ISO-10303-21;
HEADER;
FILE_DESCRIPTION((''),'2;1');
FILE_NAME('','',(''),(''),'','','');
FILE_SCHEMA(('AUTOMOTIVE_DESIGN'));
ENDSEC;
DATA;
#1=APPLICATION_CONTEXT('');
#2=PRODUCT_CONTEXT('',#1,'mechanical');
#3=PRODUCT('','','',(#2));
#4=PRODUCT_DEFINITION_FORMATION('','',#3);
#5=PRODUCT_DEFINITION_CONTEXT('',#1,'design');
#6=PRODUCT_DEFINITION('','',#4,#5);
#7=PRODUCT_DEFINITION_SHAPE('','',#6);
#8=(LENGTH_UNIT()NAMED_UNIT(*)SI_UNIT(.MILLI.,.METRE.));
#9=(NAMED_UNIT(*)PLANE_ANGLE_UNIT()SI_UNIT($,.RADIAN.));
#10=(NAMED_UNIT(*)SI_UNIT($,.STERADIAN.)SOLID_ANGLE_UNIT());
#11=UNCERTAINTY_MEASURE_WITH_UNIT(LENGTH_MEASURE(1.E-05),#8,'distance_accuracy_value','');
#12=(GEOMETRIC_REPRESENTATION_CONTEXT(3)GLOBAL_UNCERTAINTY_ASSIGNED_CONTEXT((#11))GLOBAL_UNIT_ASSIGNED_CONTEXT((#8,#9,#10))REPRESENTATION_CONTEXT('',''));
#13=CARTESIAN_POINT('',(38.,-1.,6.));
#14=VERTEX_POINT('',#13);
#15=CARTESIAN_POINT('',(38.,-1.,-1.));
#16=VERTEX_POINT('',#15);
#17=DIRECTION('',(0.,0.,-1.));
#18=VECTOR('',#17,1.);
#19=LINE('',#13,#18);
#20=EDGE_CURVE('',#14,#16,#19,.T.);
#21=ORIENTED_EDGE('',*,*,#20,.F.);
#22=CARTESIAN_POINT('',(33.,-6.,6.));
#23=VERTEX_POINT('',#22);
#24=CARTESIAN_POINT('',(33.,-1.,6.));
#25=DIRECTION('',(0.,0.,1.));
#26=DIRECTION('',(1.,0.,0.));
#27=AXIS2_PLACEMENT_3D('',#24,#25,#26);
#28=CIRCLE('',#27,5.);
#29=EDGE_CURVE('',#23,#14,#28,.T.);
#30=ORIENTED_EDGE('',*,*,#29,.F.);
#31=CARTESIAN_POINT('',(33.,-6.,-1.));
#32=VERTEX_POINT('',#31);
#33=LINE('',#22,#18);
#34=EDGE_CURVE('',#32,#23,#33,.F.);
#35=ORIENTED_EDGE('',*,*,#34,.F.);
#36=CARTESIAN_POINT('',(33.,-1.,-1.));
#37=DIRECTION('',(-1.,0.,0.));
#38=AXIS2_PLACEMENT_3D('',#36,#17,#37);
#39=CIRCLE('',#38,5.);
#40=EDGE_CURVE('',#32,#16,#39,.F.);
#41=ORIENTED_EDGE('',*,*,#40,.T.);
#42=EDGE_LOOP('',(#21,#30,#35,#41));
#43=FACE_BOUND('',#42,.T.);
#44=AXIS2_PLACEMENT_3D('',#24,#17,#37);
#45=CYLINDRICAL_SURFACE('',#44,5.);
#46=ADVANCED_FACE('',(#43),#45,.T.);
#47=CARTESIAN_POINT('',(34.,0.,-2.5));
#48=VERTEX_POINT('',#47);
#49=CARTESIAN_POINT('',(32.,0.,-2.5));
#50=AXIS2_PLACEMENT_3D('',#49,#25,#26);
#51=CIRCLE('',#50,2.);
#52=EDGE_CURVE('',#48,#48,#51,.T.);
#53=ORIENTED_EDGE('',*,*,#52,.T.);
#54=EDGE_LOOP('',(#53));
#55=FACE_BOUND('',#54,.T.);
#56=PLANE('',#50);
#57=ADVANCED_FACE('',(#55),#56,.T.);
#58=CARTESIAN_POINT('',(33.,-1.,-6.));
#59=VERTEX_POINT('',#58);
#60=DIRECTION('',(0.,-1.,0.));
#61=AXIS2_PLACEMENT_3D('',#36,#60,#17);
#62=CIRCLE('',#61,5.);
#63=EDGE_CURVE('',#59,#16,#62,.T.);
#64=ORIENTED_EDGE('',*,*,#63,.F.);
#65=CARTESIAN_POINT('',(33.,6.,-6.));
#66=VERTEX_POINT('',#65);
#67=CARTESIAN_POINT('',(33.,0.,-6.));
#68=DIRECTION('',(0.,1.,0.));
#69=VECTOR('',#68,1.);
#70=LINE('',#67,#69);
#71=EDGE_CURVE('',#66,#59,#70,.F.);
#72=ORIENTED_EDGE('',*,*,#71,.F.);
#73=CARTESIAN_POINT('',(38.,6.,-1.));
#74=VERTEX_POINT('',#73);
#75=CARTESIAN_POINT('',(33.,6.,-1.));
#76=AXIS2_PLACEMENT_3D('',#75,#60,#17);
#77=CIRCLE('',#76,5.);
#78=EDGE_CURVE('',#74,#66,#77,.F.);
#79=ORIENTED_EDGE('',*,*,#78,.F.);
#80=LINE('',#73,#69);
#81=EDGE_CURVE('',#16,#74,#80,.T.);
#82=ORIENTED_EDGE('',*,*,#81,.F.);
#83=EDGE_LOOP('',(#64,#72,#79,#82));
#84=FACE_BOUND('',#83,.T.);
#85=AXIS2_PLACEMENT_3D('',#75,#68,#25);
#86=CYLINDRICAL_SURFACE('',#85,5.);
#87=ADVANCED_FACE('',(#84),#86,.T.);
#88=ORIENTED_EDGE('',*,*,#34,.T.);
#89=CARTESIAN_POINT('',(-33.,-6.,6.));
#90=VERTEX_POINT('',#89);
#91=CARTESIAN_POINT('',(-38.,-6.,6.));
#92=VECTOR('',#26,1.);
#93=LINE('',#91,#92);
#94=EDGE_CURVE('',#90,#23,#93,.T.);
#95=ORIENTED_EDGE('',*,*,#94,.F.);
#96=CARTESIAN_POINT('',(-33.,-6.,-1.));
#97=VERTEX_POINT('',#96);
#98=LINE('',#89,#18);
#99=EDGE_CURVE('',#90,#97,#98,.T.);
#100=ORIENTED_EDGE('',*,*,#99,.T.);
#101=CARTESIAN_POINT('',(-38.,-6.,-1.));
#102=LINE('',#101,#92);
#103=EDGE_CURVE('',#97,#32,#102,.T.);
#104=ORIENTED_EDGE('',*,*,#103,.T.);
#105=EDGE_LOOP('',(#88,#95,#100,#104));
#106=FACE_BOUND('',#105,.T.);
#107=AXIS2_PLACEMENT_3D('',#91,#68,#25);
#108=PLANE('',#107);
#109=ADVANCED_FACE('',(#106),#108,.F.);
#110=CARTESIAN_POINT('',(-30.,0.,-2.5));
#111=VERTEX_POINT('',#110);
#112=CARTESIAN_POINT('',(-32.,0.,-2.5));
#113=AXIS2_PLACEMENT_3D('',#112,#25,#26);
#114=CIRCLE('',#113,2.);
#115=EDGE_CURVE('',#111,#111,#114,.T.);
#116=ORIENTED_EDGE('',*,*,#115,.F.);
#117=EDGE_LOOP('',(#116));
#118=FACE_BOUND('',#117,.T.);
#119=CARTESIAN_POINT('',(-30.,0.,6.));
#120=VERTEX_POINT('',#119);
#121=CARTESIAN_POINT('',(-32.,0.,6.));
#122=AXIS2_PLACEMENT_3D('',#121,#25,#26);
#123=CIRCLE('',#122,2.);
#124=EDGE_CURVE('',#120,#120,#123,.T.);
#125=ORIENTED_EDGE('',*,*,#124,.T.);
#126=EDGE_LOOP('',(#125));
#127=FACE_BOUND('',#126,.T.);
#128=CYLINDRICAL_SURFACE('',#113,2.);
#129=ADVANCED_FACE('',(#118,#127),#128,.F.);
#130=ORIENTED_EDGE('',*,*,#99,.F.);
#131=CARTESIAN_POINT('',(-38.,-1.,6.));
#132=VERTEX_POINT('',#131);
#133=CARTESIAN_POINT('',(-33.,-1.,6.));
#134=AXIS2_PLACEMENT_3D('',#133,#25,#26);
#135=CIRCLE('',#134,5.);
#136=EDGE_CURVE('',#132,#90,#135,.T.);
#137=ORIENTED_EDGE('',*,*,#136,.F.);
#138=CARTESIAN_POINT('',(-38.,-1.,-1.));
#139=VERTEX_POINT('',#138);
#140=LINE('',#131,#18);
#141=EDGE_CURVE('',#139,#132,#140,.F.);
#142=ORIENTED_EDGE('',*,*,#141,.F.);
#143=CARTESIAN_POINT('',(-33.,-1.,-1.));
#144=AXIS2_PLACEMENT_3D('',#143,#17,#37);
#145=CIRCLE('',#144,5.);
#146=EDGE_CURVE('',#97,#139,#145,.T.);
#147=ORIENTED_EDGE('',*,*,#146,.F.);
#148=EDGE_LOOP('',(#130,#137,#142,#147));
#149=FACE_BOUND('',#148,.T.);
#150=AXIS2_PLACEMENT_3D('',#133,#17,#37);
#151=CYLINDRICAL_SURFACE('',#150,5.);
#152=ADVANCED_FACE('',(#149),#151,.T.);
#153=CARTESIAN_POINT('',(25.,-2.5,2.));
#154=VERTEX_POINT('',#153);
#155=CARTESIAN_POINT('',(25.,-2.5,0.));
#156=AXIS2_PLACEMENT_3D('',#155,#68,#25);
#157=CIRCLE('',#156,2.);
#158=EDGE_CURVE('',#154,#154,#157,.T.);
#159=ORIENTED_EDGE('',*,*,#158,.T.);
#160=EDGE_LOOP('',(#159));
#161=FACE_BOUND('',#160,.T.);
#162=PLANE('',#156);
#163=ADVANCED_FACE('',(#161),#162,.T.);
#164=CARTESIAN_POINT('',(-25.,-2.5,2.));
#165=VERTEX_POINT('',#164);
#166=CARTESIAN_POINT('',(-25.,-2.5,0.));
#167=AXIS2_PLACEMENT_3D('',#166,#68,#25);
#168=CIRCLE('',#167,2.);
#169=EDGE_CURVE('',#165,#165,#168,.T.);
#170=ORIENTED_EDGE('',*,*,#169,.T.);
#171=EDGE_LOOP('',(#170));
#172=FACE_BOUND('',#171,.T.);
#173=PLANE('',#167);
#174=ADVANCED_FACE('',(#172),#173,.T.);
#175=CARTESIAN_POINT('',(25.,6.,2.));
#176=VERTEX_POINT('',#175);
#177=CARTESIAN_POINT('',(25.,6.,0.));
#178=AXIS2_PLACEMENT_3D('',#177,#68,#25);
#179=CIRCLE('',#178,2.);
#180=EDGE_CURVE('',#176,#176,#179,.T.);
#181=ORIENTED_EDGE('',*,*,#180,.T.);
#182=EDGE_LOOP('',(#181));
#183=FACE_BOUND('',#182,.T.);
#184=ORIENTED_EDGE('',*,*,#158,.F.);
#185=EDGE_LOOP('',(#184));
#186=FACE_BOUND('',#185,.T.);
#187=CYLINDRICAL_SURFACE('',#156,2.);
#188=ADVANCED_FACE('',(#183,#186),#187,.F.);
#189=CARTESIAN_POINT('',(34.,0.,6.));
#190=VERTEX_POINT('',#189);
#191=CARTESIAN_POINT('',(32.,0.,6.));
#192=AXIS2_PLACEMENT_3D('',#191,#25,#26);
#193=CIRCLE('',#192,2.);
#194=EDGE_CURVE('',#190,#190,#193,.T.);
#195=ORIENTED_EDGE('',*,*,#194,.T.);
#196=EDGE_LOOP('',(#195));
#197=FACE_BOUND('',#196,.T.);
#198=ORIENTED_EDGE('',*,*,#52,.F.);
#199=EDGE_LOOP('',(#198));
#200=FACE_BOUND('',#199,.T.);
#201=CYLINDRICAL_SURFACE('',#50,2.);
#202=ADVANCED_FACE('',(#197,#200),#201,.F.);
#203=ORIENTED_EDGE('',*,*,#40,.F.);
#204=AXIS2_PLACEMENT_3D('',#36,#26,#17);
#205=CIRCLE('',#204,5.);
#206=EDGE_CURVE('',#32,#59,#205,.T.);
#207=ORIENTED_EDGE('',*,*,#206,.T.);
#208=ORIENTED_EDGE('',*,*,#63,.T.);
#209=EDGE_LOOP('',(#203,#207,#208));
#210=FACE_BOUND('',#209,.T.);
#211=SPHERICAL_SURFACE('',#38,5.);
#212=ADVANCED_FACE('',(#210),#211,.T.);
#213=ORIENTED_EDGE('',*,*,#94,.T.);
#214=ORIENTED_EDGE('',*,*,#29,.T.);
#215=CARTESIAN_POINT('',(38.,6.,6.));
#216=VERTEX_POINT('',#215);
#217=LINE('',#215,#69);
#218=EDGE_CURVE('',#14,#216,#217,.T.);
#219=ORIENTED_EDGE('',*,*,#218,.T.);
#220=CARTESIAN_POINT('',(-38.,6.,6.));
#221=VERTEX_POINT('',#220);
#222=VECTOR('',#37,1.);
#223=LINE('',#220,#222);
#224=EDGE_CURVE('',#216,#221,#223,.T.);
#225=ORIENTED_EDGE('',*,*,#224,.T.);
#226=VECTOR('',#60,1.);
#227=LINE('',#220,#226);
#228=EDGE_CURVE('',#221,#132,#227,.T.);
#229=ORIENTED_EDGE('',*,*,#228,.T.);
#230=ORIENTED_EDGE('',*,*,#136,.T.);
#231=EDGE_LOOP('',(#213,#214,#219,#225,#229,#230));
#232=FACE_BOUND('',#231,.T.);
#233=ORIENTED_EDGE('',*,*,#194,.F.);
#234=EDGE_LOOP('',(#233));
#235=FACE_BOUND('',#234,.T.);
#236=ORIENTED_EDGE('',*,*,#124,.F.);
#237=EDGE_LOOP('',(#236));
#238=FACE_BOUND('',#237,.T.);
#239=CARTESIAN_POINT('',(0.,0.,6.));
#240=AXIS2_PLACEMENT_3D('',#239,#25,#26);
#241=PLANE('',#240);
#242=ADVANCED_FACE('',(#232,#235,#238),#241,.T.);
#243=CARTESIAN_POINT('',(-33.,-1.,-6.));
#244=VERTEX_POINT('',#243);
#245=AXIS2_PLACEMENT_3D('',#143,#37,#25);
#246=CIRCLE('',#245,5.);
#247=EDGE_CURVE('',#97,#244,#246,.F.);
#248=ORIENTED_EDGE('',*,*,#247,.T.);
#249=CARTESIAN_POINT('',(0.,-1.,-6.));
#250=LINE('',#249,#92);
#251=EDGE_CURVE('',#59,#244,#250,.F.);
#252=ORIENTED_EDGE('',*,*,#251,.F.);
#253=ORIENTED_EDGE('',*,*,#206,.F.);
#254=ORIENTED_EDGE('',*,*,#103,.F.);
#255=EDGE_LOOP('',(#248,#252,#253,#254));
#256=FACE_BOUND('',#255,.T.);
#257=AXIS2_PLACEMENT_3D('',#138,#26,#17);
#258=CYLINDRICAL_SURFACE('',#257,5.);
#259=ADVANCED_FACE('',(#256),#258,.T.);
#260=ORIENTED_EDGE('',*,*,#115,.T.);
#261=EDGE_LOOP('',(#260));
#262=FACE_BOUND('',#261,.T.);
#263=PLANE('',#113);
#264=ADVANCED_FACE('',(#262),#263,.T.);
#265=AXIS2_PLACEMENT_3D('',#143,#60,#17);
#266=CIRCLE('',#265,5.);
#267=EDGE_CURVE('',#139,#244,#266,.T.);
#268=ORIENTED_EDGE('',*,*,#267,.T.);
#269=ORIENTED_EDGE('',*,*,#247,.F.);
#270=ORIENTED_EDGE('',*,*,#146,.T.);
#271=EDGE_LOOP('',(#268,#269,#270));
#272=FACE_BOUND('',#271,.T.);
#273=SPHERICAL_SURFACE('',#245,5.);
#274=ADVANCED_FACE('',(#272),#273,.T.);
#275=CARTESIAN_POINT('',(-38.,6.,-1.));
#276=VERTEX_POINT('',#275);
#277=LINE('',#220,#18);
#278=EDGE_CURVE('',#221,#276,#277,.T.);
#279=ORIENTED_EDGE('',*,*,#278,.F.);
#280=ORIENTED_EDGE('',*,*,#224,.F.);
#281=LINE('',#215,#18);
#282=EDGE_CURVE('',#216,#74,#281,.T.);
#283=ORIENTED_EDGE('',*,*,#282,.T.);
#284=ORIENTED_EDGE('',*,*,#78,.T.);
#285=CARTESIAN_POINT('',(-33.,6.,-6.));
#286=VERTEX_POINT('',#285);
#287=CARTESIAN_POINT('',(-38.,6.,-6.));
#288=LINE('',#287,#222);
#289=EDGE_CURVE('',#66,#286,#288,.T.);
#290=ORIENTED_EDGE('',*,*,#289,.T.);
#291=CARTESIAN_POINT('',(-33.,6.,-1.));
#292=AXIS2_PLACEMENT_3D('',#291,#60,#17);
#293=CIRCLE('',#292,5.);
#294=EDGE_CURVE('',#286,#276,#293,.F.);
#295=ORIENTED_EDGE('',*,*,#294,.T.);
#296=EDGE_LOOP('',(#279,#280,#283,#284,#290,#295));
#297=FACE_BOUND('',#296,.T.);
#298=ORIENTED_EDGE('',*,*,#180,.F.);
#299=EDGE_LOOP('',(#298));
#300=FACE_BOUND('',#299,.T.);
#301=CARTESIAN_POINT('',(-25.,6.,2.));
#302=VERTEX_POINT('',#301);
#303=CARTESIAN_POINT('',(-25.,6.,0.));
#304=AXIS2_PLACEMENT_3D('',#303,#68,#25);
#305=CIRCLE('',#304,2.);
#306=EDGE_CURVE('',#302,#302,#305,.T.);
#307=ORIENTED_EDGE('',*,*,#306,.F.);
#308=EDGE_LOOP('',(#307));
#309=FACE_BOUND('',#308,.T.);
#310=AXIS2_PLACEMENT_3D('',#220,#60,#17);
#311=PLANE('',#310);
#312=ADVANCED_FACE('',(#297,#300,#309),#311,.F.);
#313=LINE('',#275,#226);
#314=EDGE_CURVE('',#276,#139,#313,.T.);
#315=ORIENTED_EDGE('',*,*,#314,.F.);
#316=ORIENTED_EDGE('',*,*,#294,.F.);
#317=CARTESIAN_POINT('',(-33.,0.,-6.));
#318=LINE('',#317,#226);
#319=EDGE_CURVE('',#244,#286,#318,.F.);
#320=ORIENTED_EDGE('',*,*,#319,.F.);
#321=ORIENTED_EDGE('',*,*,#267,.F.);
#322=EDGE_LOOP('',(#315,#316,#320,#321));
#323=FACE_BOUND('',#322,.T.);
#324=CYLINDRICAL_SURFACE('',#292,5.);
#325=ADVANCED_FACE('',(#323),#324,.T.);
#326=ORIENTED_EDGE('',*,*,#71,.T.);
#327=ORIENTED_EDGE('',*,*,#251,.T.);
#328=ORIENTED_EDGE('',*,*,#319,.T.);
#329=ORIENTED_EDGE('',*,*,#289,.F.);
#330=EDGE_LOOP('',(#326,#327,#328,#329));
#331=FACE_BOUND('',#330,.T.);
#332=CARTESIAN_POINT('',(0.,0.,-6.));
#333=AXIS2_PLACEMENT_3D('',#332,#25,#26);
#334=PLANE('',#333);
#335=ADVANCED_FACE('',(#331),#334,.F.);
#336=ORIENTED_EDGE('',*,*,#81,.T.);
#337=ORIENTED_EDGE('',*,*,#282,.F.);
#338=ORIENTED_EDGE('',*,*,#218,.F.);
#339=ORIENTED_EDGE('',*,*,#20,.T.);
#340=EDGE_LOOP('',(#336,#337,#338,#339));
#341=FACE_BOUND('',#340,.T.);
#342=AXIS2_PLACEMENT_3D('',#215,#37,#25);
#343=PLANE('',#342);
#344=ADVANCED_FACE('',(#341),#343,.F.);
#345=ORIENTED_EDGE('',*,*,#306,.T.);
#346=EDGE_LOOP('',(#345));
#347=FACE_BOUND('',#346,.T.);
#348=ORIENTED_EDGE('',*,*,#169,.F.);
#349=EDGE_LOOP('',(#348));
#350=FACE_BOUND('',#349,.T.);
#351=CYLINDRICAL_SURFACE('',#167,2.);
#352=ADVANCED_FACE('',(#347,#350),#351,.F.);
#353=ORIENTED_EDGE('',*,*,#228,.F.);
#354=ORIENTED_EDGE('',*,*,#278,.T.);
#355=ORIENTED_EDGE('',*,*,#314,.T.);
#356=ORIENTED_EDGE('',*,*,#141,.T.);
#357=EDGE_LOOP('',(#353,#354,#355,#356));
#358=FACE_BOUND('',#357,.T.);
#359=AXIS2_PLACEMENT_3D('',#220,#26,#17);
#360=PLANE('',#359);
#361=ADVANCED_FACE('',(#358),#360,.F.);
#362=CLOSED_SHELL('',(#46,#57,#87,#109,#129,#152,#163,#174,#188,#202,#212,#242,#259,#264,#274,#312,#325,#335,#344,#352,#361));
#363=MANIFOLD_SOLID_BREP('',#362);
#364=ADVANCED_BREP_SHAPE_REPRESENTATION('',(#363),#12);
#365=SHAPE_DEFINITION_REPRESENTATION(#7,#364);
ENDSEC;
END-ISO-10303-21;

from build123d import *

# Parameters (mm, degrees)
SKETCH1_W           = 76
SKETCH1_H           = 12
BOSS_EXTRUDE1_DEPTH = 6
SKETCH2_R           = 2
CUT_EXTRUDE1_DEPTH  = 8.5
SKETCH3_R           = 2
CUT_EXTRUDE2_DEPTH  = 8.5
FILLET1_R           = 5


with BuildPart() as part:
    # Sketch1 → Boss-Extrude1 (new, symmetric)
    with BuildSketch(Plane.XY):
        Rectangle(SKETCH1_W, SKETCH1_H)
    extrude(amount=BOSS_EXTRUDE1_DEPTH, both=True)

    # Sketch2 → Cut-Extrude1 (cut)
    with BuildSketch(Plane.XY.offset(6)):
        with Locations((-32, 0)):
            Circle(SKETCH2_R)
        with Locations((32, 0)):
            Circle(SKETCH2_R)
    extrude(amount=-CUT_EXTRUDE1_DEPTH, mode=Mode.SUBTRACT)

    # Sketch3 → Cut-Extrude2 (cut)
    with BuildSketch(Plane(origin=(0, 6, 0), x_dir=(1, 0, 0), z_dir=(0, 1, 0))):
        with Locations(Location((-25, 0, 0), (0, 0, 270))):
            Circle(SKETCH3_R)
        with Locations(Location((25, 0, 0), (0, 0, 270))):
            Circle(SKETCH3_R)
    extrude(amount=-CUT_EXTRUDE2_DEPTH, mode=Mode.SUBTRACT)

    # Fillet1
    fillet1_edges = [part.edges().sort_by_distance(p)[0] for p in [
        (38, 0, -6),
        (0, -6, -6),
        (-38, 0, -6),
        (38, -6, 0),
        (-38, -6, 0),
    ]]
    fillet(fillet1_edges, radius=FILLET1_R)


solid = part.part
